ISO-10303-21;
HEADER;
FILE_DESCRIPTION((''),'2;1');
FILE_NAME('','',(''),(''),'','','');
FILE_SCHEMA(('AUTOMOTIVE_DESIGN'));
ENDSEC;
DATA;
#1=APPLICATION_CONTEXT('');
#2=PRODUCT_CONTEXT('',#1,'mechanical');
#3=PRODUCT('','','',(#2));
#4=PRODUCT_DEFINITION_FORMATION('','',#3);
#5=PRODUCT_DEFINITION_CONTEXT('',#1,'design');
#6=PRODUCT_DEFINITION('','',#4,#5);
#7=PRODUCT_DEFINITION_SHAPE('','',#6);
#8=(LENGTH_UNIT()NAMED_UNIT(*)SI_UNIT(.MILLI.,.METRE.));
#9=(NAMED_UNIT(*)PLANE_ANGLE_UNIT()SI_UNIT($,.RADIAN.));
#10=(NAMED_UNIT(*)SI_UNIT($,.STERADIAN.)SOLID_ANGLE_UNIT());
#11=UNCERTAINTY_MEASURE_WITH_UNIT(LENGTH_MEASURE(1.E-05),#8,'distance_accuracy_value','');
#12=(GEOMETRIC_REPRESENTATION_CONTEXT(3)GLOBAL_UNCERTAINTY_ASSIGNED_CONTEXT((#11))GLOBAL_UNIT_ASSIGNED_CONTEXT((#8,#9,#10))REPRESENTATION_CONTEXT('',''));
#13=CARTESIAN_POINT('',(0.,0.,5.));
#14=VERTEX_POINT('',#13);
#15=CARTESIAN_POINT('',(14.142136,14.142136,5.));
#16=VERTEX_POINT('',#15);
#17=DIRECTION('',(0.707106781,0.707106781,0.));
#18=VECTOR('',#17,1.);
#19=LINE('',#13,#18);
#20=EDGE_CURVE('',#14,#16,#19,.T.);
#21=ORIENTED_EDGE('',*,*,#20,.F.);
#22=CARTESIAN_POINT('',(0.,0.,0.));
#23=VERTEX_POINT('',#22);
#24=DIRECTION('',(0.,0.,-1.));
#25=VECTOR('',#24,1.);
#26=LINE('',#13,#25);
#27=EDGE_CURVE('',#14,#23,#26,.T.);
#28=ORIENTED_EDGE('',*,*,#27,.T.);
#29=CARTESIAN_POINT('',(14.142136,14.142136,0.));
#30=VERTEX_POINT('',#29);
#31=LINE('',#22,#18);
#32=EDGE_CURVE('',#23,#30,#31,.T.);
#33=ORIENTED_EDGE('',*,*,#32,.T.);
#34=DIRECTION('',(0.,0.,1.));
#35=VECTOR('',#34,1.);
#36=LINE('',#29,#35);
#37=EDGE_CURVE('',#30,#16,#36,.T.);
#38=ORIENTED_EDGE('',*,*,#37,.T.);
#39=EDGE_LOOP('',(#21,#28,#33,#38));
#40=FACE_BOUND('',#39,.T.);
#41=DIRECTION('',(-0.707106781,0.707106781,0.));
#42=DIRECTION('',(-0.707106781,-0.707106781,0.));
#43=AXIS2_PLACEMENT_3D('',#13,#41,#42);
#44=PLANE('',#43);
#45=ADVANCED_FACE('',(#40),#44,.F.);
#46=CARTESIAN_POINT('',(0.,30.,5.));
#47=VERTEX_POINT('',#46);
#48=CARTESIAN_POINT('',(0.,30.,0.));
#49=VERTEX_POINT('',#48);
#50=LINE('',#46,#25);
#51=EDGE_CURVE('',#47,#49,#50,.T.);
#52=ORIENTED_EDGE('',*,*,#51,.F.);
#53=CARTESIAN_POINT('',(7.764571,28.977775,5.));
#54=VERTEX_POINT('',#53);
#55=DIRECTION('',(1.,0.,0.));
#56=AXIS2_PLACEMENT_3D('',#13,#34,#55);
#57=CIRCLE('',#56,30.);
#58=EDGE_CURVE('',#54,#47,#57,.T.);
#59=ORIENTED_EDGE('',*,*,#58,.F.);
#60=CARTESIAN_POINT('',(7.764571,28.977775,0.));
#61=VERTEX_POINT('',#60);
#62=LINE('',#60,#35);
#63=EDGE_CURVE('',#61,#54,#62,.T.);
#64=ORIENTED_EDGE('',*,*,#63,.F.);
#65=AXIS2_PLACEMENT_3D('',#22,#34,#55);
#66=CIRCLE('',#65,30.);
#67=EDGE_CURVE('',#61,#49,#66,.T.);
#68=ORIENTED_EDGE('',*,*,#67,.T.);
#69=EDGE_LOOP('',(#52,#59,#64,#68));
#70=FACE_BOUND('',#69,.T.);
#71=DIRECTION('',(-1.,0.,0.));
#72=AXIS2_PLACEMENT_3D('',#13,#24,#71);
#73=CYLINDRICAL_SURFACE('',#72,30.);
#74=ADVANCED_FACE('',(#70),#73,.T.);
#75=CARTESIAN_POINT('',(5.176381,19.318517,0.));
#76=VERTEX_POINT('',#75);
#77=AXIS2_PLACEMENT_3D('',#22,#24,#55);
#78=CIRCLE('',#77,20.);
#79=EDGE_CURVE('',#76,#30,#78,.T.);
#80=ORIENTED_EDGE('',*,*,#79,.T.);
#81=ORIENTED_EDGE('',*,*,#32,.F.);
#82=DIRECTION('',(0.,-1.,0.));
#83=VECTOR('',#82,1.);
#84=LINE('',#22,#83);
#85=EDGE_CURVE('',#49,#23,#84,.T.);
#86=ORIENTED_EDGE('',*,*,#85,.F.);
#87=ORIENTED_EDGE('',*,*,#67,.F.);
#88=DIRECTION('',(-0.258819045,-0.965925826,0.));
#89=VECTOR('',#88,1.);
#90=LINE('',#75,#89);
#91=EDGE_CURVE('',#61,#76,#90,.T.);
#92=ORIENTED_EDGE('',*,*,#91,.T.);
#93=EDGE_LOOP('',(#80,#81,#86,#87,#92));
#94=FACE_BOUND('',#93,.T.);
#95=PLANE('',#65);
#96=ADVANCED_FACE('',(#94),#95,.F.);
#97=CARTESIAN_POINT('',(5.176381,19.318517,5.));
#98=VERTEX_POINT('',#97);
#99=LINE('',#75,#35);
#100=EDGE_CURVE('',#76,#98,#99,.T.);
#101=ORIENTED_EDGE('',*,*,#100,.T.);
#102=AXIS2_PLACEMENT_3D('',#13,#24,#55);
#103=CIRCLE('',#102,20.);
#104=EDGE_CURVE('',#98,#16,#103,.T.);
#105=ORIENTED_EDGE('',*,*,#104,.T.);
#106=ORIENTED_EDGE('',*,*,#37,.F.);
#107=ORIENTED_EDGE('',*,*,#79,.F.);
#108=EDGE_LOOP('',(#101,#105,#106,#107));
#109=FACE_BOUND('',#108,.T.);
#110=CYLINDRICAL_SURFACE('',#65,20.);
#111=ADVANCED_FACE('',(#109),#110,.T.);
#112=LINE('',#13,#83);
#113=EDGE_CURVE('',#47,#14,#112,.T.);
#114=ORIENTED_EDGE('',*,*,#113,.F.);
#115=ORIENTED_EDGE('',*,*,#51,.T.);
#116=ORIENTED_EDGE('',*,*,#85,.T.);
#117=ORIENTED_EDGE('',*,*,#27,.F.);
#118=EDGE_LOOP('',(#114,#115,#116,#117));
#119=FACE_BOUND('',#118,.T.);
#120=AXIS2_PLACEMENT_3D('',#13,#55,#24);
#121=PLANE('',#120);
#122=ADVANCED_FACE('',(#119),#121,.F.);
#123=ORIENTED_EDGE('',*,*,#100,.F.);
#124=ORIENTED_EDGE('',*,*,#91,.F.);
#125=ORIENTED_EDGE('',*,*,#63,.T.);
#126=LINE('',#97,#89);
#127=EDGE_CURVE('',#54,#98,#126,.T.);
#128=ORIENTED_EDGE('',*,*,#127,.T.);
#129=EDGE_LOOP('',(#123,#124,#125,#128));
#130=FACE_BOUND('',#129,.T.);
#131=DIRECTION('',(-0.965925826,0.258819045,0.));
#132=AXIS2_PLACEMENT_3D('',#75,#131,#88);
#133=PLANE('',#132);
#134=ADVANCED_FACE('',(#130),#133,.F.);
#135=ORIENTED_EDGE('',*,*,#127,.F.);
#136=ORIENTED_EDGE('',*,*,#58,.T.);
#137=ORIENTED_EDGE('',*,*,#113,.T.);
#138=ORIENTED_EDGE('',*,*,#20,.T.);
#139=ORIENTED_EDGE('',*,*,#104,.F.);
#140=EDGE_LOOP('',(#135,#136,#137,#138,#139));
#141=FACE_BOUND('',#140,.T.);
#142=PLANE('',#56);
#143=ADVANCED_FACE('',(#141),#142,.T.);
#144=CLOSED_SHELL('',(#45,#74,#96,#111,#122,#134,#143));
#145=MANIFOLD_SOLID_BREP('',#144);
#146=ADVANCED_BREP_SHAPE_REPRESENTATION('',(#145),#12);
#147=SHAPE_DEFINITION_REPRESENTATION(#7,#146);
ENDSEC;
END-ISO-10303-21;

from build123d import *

# Parameters (mm, degrees)
AUFSATZ_LINEAR_AUSTRAGEN2_DEPTH = 5
SCHNITT_LINEAR_AUSTRAGEN2_DEPTH = 38.080992435


with BuildPart() as part:
    # Skizze1 → Aufsatz-Linear austragen2 (new body)
    with BuildSketch(Plane.XY):
        with BuildLine():
            Line((0, 0), (0, 30))
            ThreePointArc((0, 30), (11.480502971, 27.716385975), (21.213203436, 21.213203436))
            Line((21.213203436, 21.213203436), (0, 0))
        make_face()
    extrude(amount=AUFSATZ_LINEAR_AUSTRAGEN2_DEPTH)

    # Skizze2 → Schnitt-Linear austragen2 (cut, through all)
    with BuildSketch(Plane.XY.offset(5)):
        with BuildLine():
            Line((14.142135624, 14.142135624), (21.213203436, 21.213203436))
            ThreePointArc((21.213203436, 21.213203436), (15, 25.980762114), (7.764571353, 28.977774789))
            Line((7.764571353, 28.977774789), (5.176380902, 19.318516526))
            ThreePointArc((5.176380902, 19.318516526), (10, 17.320508076), (14.142135624, 14.142135624))
        make_face()
    extrude(amount=-SCHNITT_LINEAR_AUSTRAGEN2_DEPTH, mode=Mode.SUBTRACT)


solid = part.part
